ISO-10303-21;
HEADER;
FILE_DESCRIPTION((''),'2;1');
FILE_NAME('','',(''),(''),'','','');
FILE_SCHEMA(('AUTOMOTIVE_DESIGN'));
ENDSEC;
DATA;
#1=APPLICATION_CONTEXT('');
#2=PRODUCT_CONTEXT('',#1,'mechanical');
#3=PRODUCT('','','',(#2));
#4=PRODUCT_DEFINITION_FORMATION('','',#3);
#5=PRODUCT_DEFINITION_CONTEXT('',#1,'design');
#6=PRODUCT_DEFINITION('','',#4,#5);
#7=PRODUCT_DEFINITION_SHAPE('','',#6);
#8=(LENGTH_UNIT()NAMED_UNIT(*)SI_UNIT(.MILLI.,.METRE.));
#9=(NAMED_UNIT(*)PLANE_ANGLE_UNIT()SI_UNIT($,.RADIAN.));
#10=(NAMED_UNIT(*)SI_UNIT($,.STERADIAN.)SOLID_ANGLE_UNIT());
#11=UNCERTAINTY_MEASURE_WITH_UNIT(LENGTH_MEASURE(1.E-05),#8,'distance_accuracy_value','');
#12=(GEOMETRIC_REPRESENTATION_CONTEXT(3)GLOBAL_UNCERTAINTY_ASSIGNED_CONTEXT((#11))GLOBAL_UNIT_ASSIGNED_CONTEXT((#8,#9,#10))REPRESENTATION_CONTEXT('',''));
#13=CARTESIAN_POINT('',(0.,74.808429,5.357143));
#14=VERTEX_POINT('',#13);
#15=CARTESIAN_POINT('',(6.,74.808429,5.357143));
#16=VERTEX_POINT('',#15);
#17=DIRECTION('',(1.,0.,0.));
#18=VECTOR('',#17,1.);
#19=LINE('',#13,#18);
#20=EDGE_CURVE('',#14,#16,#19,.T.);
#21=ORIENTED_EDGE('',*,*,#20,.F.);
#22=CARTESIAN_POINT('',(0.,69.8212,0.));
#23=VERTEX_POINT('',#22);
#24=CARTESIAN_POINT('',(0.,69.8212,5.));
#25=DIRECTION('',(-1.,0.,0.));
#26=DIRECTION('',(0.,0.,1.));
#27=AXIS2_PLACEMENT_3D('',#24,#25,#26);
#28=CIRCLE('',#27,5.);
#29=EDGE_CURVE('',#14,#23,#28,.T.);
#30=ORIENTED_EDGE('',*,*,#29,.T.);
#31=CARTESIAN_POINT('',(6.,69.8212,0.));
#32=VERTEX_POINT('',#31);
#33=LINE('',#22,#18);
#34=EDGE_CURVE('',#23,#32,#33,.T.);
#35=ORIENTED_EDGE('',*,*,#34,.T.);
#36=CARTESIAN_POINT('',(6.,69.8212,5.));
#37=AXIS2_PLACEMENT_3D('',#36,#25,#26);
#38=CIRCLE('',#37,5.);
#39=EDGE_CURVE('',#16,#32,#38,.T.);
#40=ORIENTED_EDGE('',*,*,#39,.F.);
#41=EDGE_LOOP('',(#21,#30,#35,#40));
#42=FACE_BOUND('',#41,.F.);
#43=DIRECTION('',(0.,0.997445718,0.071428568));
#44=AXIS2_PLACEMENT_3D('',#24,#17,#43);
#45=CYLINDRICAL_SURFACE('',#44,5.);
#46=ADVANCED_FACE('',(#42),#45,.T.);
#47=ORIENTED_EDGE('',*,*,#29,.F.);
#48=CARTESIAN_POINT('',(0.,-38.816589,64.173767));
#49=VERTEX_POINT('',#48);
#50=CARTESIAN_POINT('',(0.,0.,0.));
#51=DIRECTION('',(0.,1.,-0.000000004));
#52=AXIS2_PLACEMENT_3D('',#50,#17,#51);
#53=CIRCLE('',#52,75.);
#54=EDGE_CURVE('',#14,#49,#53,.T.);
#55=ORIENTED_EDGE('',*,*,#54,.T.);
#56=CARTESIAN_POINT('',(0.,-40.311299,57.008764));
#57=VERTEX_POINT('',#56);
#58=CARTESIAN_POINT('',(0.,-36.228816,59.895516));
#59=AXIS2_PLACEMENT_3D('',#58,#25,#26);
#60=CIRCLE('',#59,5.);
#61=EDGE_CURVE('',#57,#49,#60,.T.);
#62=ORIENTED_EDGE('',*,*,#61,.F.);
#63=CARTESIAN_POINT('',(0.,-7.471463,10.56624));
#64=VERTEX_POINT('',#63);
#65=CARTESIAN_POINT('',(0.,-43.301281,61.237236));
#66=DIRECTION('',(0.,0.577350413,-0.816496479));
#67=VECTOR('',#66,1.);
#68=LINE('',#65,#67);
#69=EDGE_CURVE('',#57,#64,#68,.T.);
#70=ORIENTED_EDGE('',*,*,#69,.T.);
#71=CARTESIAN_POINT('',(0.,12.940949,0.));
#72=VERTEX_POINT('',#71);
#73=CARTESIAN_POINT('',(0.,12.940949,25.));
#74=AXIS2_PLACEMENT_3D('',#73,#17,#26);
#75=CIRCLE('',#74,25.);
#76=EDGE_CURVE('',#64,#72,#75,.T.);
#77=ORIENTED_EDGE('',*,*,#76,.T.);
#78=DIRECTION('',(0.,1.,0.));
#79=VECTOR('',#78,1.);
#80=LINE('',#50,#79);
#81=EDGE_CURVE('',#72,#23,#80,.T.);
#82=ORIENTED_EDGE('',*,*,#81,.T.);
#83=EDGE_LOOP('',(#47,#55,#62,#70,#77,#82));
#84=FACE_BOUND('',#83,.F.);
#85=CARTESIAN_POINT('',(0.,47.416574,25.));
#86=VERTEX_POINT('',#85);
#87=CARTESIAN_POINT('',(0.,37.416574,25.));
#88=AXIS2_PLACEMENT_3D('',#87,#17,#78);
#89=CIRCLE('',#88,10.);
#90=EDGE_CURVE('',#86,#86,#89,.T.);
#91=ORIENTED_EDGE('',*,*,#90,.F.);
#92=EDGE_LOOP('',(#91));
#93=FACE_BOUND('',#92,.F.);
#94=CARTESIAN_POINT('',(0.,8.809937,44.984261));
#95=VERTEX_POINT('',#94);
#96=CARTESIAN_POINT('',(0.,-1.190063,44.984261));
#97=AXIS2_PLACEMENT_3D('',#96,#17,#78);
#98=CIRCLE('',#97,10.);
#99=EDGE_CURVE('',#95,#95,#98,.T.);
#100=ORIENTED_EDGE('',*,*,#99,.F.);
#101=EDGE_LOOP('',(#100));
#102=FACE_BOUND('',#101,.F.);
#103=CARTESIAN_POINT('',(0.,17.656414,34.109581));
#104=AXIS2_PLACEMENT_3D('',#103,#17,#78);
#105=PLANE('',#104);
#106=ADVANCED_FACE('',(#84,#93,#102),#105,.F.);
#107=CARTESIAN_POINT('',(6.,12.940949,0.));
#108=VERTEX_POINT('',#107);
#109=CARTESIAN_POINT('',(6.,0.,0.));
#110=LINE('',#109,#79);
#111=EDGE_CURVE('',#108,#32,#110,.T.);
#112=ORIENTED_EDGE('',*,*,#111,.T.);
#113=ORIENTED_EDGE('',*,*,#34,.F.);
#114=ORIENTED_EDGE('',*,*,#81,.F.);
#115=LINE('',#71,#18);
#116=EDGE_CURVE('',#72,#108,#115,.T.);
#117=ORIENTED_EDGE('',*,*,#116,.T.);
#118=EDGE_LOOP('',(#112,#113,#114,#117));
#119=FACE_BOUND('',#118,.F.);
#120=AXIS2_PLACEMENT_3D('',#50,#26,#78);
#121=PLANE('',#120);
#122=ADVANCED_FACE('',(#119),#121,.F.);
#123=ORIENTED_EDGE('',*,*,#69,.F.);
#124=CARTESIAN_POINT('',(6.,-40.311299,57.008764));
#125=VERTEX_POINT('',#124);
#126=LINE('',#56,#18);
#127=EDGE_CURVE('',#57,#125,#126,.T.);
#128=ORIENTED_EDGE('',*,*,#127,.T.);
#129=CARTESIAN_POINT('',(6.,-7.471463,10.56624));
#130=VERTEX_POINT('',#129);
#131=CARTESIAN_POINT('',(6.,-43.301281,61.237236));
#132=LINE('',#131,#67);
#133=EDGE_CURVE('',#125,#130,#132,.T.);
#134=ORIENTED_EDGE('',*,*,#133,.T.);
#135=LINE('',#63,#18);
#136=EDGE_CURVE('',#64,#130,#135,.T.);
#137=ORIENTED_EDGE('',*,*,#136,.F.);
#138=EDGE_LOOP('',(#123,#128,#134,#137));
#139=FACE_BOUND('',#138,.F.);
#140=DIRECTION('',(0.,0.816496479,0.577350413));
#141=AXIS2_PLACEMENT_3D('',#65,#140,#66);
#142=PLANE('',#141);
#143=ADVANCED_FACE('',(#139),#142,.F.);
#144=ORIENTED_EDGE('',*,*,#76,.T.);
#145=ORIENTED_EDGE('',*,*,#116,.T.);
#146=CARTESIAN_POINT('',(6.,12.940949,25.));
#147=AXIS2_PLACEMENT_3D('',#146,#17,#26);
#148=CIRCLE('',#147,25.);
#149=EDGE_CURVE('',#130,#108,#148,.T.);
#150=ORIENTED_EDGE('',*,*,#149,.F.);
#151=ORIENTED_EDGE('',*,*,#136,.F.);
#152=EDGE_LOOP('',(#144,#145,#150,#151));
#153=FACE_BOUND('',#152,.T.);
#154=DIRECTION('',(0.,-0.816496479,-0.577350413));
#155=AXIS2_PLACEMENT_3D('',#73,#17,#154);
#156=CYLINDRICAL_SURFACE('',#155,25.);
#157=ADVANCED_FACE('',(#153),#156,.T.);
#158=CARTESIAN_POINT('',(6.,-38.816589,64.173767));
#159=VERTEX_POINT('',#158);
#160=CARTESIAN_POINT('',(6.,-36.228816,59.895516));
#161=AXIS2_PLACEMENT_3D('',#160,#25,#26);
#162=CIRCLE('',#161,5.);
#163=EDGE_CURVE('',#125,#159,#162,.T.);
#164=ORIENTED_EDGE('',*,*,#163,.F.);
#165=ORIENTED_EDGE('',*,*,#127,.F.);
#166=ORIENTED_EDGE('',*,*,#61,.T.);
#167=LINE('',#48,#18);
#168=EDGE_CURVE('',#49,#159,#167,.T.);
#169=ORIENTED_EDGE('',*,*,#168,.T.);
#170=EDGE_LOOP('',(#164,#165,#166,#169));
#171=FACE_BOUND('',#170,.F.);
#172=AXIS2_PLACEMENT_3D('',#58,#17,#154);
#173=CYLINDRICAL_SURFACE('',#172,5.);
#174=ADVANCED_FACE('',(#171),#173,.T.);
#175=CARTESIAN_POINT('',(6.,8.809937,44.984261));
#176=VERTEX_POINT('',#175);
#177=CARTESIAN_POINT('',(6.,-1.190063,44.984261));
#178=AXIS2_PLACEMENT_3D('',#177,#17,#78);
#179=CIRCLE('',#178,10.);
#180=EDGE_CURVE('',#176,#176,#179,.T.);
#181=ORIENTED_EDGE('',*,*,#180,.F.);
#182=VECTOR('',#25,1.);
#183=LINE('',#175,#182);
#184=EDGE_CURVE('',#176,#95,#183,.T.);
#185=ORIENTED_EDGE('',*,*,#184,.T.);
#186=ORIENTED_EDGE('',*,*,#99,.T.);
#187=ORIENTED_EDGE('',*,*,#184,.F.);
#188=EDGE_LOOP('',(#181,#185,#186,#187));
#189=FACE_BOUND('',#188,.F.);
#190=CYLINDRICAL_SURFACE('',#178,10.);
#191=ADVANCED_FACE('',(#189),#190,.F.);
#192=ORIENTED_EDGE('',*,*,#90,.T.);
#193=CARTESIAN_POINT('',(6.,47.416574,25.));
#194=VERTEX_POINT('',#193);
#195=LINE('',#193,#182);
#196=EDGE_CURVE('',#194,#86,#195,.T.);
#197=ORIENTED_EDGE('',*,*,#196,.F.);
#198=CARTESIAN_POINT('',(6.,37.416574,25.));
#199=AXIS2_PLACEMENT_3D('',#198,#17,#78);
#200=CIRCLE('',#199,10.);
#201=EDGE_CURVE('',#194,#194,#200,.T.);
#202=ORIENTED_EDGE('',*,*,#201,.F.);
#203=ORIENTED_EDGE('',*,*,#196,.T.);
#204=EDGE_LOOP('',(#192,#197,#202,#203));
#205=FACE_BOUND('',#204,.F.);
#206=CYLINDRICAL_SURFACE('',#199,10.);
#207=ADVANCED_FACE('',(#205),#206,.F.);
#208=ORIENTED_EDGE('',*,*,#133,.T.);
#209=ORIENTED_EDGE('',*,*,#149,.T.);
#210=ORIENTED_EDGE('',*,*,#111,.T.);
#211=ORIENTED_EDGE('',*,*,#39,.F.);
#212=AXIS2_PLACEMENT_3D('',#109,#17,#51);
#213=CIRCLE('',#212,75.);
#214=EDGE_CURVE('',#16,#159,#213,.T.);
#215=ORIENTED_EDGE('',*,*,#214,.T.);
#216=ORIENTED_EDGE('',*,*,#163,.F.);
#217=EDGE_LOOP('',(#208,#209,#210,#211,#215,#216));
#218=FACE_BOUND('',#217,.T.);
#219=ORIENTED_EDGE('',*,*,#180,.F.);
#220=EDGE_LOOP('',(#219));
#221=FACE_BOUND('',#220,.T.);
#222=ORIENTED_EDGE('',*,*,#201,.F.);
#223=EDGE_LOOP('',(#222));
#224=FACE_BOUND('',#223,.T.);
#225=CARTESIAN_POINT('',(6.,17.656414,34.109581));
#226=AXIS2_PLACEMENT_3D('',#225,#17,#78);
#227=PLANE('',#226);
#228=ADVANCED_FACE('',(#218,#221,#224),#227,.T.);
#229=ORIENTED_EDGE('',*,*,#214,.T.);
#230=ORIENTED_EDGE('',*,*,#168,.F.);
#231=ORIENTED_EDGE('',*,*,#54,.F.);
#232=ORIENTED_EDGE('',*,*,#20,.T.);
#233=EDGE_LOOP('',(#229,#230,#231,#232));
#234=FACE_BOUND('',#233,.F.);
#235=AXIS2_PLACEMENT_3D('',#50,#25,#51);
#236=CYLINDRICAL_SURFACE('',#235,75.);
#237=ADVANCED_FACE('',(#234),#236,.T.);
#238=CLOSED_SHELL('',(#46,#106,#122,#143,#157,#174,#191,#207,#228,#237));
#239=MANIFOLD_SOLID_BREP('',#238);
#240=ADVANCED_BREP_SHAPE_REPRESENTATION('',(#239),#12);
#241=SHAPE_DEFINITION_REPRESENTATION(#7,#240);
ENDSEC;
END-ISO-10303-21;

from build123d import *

# Parameters (mm, degrees)
F1_DEPTH = 6
F2_R     = 25
F3_R     = 5
F4_R     = 10
F5_DEPTH = 6.001


with BuildPart() as f1:
    # F0 (on Right) → F1 (new body)
    with BuildSketch(Plane.YZ):
        with BuildLine():
            Line((-43.301281, 61.237236), (0, 0))
            Line((0, 0), (75, 0))
            ThreePointArc((75, 0), (34.477557, 66.605541), (-43.301281, 61.237236))
        make_face()
    extrude(amount=F1_DEPTH)

    # F2
    f2_edges = [f1.edges().sort_by_distance(p)[0] for p in [
        (3, 0, 0),
    ]]
    fillet(f2_edges, radius=F2_R)

    # F3
    f3_edges = [f1.edges().sort_by_distance(p)[0] for p in [
        (3, -43.301281, 61.237236),
        (3, 75, 0),
    ]]
    fillet(f3_edges, radius=F3_R)

    # F4 (on face) → F5 (cut, through all)
    with BuildSketch(Plane.YZ.offset(6)):
        with Locations((-1.190063, 44.984261)):
            Circle(F4_R)
        with Locations((37.416574, 25)):
            Circle(F4_R)
    extrude(amount=-F5_DEPTH, mode=Mode.SUBTRACT)


solid = f1.part
